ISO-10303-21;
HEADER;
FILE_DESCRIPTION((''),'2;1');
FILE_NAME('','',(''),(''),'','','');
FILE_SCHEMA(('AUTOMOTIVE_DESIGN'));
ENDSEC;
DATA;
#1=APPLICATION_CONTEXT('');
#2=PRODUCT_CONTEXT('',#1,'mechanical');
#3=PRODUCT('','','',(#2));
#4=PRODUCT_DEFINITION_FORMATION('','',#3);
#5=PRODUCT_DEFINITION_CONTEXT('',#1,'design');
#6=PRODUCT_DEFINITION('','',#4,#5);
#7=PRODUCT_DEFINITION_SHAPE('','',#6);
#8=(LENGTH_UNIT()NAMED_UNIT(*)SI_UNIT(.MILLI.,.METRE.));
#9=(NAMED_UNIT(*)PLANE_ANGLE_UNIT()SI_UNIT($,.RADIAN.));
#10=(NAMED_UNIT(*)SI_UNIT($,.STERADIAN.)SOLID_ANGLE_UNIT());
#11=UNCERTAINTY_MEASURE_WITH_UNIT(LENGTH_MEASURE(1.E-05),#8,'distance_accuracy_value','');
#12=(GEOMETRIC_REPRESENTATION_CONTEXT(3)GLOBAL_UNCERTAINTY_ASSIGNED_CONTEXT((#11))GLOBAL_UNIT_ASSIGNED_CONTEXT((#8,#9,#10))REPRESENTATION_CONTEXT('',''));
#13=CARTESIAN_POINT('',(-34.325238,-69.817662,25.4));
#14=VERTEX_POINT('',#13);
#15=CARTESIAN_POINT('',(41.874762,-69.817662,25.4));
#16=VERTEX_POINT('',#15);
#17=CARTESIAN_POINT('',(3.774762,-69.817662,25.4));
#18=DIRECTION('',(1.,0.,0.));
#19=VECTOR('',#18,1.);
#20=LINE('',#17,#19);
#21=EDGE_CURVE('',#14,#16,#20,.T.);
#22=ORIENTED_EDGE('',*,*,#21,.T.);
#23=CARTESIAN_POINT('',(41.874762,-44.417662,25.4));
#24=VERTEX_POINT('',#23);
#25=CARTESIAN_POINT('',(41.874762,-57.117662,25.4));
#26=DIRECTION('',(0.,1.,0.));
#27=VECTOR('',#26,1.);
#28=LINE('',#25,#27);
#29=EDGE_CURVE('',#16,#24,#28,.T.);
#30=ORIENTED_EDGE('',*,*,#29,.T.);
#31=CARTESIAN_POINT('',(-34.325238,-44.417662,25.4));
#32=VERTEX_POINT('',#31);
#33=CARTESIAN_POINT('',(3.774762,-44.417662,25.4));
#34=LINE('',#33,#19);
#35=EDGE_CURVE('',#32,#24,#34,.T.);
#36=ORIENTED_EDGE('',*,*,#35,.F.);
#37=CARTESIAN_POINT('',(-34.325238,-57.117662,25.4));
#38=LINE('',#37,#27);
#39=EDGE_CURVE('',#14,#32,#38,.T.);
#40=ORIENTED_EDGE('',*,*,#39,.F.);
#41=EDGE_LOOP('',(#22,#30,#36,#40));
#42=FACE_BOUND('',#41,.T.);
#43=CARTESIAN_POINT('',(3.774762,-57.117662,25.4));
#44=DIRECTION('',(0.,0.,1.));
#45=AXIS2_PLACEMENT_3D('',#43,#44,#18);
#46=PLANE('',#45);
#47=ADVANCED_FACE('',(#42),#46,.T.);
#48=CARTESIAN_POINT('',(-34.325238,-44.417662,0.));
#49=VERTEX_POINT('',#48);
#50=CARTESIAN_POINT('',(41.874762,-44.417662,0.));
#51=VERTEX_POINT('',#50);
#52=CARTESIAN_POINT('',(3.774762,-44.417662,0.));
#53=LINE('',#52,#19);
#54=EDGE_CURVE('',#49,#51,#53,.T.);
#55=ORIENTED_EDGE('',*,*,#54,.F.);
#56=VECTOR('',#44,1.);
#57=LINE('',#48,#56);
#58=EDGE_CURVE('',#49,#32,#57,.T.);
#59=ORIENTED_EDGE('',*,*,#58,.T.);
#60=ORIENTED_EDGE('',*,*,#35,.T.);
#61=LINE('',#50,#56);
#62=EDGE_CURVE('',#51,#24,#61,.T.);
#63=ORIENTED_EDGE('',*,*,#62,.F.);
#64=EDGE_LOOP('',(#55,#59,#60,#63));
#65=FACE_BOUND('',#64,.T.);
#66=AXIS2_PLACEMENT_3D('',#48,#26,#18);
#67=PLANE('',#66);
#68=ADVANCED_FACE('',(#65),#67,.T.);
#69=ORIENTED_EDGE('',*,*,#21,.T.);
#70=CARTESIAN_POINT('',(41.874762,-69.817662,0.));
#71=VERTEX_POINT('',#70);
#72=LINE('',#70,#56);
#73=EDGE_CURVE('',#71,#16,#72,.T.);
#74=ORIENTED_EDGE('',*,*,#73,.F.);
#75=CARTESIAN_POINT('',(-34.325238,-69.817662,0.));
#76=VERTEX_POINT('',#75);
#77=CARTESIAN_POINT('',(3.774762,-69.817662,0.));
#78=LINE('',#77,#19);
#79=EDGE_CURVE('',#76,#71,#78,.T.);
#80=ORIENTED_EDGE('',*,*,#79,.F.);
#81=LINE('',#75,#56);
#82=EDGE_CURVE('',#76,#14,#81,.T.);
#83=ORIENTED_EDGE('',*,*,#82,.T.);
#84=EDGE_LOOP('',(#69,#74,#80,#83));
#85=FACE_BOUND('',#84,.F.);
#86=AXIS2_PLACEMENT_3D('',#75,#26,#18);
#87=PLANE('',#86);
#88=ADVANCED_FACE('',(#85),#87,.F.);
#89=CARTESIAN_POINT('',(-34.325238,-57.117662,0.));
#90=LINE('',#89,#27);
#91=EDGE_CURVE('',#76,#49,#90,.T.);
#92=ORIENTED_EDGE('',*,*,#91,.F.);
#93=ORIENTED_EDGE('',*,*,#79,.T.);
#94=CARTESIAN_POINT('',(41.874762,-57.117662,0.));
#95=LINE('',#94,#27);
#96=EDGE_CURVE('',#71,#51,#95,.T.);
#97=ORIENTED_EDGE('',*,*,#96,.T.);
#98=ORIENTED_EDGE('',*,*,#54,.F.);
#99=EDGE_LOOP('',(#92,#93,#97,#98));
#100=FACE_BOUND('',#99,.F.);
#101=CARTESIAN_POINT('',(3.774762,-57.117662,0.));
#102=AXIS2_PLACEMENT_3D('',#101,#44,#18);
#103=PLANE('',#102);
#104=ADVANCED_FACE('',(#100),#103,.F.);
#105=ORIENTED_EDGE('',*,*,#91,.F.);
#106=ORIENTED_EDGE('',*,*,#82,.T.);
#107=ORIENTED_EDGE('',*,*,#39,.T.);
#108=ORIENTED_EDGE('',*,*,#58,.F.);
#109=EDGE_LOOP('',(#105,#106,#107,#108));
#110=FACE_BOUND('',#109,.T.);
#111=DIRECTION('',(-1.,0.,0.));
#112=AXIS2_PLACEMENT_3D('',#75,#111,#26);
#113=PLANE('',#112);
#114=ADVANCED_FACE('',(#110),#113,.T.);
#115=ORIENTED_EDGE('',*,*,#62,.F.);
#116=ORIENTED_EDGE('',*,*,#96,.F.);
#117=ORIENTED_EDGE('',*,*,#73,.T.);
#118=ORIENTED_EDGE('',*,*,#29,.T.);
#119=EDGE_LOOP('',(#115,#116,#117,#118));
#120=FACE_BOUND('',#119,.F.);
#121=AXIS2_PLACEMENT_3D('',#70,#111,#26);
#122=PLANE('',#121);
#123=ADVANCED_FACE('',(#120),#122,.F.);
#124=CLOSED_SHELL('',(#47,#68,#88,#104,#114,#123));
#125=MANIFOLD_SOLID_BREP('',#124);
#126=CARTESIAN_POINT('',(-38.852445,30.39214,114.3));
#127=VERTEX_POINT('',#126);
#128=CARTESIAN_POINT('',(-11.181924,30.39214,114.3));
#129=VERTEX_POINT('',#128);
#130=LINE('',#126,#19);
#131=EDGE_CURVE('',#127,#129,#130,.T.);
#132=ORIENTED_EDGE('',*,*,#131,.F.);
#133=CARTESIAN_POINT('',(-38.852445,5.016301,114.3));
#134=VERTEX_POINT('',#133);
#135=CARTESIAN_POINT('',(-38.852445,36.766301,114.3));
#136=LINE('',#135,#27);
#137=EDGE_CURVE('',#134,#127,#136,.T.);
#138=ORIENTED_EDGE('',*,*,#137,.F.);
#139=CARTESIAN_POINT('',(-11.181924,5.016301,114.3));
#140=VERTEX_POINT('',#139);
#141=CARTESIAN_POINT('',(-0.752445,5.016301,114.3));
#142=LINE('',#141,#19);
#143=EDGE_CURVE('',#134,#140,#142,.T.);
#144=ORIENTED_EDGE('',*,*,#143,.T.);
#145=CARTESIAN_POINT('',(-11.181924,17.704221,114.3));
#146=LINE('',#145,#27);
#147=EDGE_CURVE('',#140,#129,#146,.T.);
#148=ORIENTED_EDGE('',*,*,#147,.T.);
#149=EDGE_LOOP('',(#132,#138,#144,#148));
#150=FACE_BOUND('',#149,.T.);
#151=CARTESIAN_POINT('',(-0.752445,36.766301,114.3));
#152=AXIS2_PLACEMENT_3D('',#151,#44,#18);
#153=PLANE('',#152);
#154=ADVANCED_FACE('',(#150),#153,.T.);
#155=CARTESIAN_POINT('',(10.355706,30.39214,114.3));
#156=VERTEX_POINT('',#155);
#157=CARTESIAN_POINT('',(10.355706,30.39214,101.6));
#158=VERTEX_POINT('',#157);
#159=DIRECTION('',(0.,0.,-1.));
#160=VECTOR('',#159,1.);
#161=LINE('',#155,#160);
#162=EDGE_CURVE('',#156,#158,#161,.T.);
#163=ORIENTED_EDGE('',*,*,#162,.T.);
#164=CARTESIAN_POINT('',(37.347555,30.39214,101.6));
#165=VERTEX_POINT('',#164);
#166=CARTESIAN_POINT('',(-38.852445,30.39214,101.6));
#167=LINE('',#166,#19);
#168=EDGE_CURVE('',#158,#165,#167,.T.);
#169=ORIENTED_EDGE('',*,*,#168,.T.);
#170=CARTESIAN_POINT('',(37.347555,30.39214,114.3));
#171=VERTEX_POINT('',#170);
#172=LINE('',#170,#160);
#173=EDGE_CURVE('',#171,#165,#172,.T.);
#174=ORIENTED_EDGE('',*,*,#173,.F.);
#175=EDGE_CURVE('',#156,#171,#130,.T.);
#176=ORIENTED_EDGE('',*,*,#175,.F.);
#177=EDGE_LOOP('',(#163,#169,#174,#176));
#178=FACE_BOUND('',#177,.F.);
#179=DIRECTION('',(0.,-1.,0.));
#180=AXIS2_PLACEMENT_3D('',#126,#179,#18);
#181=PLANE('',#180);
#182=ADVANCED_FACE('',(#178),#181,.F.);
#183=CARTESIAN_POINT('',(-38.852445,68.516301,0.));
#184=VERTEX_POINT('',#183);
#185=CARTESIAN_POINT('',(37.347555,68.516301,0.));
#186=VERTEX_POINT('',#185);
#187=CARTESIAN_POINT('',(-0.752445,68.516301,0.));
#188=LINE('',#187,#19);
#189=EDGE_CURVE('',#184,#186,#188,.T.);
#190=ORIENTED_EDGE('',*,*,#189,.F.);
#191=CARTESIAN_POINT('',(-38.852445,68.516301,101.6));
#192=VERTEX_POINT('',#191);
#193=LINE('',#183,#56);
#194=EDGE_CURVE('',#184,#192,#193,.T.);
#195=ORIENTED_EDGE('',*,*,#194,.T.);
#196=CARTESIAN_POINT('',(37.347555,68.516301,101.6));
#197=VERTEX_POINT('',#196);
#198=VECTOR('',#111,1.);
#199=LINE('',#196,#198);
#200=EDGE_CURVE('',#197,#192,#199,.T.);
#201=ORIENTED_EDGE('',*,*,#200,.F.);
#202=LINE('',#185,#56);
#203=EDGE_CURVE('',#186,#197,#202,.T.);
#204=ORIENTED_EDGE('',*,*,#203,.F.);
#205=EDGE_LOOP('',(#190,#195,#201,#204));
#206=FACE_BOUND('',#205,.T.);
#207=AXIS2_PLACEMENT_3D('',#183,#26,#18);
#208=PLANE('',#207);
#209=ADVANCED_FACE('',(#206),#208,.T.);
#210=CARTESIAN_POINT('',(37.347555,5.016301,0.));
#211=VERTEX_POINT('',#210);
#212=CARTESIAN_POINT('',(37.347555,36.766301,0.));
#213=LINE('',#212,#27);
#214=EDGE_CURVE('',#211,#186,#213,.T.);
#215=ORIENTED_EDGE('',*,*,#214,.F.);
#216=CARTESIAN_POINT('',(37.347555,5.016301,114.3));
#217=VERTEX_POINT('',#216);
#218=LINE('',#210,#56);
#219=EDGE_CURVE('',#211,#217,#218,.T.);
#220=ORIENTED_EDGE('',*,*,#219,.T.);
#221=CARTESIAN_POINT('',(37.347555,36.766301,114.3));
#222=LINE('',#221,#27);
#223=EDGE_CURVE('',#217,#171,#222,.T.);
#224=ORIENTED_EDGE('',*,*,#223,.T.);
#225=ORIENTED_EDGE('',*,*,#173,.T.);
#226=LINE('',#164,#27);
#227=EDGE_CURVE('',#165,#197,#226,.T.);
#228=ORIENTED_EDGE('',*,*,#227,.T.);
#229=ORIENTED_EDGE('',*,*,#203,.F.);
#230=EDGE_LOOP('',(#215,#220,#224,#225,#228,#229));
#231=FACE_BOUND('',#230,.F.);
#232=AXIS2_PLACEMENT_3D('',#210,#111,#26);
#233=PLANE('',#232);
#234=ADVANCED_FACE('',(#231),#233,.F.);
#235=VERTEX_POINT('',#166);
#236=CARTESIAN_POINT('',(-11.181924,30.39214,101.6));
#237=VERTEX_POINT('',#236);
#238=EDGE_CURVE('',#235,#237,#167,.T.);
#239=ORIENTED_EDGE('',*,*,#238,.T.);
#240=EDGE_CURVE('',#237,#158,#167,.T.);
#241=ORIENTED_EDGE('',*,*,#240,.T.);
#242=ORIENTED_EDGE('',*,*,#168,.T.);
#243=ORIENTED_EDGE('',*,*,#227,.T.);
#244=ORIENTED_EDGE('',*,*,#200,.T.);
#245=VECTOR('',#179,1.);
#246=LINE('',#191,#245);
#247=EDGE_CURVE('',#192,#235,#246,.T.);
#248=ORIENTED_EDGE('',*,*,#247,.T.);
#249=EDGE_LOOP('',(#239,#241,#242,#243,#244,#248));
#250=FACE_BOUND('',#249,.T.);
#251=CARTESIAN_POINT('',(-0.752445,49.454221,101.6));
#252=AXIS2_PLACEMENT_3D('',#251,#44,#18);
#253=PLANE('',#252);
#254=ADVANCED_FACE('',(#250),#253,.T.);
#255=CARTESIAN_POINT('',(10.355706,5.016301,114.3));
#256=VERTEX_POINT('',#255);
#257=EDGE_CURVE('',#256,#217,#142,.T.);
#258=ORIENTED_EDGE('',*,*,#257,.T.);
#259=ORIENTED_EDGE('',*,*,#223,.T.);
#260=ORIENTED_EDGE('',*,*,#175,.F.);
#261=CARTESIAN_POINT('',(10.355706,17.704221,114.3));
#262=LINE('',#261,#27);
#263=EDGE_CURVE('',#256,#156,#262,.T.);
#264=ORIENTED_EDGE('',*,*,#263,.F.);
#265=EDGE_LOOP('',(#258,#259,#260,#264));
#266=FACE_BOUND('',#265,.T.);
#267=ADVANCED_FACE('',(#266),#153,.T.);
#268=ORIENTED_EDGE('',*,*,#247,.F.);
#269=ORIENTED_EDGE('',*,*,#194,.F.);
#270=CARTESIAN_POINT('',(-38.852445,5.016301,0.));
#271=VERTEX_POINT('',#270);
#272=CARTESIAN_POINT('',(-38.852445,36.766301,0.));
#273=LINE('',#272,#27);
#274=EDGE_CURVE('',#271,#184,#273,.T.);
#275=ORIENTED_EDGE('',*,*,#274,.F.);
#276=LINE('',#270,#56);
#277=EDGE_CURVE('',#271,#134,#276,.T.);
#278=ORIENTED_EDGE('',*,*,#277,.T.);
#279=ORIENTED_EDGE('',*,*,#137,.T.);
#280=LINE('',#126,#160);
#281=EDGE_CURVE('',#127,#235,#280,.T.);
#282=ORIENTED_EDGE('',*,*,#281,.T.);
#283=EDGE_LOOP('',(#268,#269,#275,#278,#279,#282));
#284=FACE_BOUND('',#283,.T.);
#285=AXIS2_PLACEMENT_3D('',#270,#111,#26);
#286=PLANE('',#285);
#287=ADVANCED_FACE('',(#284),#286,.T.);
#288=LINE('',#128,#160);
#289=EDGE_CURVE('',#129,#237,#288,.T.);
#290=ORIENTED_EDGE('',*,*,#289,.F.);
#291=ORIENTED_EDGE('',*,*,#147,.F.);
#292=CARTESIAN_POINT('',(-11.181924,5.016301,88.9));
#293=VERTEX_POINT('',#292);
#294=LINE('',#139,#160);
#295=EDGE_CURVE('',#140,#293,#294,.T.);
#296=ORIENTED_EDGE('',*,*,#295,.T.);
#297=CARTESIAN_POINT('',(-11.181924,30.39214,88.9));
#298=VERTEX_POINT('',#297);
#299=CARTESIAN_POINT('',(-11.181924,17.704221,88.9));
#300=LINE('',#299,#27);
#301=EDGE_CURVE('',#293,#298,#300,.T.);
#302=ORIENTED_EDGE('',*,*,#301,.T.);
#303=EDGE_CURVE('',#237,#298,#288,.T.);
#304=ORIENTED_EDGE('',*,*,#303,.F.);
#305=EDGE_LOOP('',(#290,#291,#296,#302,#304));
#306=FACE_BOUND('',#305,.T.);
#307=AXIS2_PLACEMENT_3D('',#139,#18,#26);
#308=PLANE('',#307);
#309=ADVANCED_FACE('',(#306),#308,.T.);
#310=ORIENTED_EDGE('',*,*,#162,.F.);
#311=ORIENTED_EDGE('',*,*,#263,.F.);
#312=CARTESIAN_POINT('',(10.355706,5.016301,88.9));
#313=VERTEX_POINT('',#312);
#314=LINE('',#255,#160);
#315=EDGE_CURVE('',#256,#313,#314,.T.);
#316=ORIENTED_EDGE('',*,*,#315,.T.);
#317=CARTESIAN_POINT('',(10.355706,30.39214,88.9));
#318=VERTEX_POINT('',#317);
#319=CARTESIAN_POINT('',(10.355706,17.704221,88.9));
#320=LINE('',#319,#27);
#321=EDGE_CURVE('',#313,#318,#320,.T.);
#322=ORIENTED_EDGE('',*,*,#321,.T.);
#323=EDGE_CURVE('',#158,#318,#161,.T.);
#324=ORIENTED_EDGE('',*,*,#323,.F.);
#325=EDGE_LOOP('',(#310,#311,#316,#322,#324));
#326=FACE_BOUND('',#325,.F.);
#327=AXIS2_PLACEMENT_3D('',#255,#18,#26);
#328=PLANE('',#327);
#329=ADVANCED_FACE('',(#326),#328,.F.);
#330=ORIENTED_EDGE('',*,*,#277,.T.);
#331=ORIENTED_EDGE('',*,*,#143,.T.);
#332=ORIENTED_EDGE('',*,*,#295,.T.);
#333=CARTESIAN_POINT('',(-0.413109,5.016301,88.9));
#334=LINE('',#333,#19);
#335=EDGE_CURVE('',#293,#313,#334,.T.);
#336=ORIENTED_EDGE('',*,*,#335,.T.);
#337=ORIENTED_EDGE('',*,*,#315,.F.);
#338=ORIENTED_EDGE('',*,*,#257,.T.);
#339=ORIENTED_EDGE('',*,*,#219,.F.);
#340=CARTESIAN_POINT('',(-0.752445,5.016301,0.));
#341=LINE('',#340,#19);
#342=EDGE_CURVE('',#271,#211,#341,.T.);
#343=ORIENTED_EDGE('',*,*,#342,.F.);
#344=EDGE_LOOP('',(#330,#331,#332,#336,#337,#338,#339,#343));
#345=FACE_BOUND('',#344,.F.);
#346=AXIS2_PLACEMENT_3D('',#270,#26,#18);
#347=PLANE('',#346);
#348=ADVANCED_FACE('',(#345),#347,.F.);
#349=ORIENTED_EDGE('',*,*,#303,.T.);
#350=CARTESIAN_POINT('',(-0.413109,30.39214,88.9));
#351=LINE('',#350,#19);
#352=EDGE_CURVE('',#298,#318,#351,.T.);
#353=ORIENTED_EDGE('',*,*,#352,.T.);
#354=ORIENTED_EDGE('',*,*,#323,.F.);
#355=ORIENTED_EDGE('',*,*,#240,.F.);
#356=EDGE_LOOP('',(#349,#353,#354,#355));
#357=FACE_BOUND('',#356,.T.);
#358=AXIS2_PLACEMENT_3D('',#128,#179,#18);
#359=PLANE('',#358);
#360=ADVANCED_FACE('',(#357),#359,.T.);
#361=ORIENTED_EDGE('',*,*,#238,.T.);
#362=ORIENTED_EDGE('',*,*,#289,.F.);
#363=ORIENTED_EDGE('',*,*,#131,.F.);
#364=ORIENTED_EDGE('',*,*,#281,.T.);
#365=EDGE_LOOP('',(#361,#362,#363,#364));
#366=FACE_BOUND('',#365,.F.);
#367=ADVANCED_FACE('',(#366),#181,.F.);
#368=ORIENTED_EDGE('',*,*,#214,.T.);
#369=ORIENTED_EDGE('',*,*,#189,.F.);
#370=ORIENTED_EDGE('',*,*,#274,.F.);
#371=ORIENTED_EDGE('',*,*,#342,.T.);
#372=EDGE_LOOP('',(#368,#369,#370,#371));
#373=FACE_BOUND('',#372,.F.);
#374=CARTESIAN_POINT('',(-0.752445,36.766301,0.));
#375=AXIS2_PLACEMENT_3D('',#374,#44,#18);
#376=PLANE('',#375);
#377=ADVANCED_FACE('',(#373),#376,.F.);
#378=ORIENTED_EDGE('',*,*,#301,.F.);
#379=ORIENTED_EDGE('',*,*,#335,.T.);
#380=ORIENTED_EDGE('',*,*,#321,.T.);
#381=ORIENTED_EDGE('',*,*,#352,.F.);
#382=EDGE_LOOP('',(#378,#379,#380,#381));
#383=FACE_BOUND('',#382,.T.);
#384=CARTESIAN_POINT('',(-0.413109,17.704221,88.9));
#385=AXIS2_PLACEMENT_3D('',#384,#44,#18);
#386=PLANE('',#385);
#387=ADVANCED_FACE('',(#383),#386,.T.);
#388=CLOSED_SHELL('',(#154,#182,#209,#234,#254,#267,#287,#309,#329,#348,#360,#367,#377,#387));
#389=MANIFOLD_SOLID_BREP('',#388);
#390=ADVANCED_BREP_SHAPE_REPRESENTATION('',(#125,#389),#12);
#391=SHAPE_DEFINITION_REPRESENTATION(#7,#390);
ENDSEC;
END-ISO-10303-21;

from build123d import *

# Parameters (mm, degrees)
F0_W     = 76.2
F0_H     = 63.5
F2_DEPTH = 114.3
F3_W     = 21.5376298875
F3_H     = 25.3758388571
F4_DEPTH = 25.4
F6_DEPTH = 12.7
F1_W     = 76.2
F1_H     = 25.4
F7_DEPTH = 25.4


with BuildPart() as f2:
    # F0 (on Top) → F2 (new body)
    with BuildSketch(Plane.XY):
        with Locations((-0.7524453104, 36.7663012929)):
            Rectangle(F0_W, F0_H)
    extrude(amount=F2_DEPTH)

    # F3 (on face) → F4 (cut)
    with BuildSketch(Plane.XY.offset(114.3)):
        with Locations((-0.4131086171, 17.7042207215)):
            Rectangle(F3_W, F3_H)
    extrude(amount=-F4_DEPTH, mode=Mode.SUBTRACT)

    # F5 (on face) → F6 (cut)
    with BuildSketch(Plane.XY.offset(114.3)):
        Polygon((-38.8524453104, 30.3921401501), (-11.1819235608, 30.3921401501), (10.3557063267, 30.3921401501), (37.3475546896, 30.3921401501), (37.3475546896, 68.5163012929), (-38.8524453104, 68.5163012929), align=None)
    extrude(amount=-F6_DEPTH, mode=Mode.SUBTRACT)


with BuildPart() as f7:
    # F1 (on Top) → F7 (new body)
    with BuildSketch(Plane.XY):
        with Locations((3.7747621536, -57.1176622391)):
            Rectangle(F1_W, F1_H)
    extrude(amount=F7_DEPTH)


solid = Compound([f2.part, f7.part])
